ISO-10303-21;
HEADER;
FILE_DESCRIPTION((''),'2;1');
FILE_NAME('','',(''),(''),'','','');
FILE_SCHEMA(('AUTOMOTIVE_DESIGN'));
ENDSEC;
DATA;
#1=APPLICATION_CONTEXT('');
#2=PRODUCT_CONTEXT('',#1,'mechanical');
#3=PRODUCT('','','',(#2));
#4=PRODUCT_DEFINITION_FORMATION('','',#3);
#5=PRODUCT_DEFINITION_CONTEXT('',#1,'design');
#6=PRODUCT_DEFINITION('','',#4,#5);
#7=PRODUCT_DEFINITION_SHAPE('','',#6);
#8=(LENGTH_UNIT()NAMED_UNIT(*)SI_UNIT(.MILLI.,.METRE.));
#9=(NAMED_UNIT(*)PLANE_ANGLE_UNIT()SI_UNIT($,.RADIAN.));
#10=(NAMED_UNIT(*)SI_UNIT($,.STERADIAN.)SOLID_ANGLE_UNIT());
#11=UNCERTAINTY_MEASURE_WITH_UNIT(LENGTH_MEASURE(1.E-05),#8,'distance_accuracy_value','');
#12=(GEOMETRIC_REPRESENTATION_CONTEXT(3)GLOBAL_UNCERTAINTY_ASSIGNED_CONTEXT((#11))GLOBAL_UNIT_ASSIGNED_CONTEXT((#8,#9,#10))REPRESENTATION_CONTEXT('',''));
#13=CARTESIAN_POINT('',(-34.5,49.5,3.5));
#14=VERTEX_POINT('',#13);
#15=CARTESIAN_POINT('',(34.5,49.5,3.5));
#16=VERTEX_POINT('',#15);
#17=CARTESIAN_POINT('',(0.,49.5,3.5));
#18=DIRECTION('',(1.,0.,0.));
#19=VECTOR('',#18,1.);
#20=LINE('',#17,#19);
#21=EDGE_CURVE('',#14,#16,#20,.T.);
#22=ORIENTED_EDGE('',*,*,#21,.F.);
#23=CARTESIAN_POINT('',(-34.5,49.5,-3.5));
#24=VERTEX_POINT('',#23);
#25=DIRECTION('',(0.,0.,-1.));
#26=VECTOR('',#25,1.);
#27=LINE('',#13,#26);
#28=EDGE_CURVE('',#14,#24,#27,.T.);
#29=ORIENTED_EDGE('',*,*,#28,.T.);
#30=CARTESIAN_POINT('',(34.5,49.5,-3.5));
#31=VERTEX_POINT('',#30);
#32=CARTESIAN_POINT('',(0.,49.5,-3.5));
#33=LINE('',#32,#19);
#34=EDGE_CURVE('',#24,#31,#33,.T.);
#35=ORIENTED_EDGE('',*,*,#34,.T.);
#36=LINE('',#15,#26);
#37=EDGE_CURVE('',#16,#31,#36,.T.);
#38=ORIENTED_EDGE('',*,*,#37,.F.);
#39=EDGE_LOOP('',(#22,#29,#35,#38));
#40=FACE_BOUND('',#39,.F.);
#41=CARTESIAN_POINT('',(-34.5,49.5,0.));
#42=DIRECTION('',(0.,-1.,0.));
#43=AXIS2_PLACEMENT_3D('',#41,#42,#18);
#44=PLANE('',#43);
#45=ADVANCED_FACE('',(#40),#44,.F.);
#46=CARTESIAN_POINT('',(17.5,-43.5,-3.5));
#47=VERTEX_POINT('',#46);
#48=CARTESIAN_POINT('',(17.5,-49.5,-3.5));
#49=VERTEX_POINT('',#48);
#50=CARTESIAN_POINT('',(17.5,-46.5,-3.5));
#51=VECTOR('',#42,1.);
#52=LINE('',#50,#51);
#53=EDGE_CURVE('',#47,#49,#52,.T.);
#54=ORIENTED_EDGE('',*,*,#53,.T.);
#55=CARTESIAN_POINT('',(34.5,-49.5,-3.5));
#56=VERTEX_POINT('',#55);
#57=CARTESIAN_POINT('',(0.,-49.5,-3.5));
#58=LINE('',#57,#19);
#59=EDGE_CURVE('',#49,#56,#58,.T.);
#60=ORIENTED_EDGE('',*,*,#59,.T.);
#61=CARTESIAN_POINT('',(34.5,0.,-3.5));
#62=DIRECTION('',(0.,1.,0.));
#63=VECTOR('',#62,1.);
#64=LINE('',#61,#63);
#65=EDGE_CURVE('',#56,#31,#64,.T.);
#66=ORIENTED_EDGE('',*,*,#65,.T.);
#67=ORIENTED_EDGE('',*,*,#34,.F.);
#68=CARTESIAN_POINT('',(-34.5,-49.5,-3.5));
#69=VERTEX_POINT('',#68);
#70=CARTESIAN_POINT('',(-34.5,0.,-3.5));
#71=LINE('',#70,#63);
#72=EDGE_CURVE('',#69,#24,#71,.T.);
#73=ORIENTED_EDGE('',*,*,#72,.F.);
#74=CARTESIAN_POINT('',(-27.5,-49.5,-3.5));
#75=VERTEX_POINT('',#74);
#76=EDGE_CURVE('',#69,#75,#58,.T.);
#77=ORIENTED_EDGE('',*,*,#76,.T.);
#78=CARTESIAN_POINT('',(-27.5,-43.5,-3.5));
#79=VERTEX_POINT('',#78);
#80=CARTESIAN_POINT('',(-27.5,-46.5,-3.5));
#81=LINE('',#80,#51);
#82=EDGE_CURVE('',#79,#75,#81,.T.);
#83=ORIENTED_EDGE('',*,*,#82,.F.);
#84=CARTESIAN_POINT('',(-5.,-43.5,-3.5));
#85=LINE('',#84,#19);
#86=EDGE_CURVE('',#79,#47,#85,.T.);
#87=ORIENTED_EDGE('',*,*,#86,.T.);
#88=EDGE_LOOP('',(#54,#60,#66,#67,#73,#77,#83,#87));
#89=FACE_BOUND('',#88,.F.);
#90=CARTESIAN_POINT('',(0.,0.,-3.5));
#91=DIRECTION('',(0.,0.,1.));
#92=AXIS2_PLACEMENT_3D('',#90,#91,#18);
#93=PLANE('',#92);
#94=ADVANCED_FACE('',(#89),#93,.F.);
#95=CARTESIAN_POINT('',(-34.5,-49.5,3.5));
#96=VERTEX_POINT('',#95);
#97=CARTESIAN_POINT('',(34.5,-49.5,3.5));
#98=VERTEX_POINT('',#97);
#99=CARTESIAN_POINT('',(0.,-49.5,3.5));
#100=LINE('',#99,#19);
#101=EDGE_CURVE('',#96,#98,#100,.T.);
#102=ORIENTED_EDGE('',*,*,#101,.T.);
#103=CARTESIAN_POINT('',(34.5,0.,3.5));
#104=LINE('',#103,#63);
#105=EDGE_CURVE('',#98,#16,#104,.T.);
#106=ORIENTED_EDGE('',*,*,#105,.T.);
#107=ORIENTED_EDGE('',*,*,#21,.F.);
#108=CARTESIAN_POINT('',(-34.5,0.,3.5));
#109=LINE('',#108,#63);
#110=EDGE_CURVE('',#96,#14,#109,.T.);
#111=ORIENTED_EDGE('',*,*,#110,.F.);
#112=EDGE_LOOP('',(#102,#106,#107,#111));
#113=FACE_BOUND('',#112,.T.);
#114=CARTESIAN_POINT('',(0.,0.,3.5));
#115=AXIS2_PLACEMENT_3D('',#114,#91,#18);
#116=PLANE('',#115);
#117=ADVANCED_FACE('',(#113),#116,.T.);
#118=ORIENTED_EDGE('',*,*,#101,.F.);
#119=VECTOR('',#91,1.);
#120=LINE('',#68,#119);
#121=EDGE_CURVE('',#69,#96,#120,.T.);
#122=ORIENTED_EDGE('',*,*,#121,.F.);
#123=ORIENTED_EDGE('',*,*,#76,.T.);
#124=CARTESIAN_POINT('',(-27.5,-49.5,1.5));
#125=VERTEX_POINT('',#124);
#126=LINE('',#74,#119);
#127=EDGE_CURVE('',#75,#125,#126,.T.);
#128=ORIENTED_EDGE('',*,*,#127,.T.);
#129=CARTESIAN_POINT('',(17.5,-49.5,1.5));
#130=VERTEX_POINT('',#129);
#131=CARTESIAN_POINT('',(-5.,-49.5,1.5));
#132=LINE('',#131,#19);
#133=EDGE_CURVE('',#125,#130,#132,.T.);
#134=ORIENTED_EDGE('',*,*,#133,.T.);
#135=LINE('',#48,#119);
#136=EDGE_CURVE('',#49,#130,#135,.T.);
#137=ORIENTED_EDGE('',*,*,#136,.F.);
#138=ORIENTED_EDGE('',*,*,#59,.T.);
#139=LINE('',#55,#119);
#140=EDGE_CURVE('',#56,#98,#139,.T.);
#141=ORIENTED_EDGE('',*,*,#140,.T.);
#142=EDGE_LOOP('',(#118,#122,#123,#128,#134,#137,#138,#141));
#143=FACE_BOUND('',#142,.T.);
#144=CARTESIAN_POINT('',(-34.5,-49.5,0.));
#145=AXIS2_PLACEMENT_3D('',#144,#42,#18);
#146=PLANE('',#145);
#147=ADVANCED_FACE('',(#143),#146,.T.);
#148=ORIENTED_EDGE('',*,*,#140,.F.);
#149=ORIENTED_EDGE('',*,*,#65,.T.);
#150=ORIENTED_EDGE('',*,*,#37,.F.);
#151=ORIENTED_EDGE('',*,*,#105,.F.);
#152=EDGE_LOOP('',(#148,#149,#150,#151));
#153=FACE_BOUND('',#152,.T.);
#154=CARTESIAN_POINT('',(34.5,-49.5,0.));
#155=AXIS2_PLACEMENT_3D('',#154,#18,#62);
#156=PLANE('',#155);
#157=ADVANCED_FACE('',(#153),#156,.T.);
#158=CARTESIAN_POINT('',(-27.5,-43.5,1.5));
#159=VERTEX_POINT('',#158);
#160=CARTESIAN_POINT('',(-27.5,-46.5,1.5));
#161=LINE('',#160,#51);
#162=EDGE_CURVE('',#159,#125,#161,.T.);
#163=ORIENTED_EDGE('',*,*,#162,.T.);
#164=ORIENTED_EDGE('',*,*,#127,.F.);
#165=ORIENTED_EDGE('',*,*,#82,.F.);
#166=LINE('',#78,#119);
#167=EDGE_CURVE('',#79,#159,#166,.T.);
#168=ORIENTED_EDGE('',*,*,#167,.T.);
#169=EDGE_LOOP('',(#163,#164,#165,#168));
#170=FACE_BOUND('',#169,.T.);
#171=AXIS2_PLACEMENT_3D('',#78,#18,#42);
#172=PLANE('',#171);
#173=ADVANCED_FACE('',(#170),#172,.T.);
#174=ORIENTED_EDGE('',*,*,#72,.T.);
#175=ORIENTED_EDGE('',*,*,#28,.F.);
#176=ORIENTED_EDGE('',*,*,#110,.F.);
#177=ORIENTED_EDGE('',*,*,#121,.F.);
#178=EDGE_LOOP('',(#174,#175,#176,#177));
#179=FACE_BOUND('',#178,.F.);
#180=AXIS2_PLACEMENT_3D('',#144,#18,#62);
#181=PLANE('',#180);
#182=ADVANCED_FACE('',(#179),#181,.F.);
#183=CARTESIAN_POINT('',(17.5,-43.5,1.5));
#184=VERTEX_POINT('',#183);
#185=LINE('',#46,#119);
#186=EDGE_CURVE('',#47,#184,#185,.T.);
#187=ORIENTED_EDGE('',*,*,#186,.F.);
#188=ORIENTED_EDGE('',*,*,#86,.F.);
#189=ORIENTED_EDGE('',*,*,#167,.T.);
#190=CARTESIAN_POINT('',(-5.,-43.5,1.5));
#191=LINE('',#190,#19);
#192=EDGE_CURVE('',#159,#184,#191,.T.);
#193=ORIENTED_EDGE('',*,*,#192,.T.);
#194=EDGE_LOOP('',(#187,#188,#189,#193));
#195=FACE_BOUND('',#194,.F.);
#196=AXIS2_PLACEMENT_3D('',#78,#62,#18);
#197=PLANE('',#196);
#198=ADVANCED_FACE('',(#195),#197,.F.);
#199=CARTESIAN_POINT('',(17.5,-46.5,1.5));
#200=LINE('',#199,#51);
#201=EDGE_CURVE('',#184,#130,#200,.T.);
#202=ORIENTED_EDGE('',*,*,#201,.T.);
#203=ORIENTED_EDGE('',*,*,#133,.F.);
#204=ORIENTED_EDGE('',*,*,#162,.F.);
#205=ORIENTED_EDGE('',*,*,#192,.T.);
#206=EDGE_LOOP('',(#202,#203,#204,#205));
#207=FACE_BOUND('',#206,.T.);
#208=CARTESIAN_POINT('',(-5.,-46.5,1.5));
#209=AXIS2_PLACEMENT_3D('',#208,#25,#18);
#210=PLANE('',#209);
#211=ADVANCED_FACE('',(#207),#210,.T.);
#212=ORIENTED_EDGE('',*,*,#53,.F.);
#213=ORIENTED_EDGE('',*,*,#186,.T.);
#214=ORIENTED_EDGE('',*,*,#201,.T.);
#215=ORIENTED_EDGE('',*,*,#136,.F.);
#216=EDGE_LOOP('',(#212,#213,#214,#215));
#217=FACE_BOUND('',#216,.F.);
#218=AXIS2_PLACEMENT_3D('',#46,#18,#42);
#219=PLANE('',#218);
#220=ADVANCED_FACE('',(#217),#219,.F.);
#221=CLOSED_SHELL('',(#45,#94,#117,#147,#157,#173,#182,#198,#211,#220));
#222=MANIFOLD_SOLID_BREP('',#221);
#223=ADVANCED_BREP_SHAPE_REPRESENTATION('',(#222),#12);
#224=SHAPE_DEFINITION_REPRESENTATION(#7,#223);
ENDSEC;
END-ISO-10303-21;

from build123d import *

# Parameters (mm, degrees)
F0_W     = 69
F0_H     = 99
F2_DEPTH = 3.5
F1_W     = 45
F1_H     = 6
F3_DEPTH = 5


with BuildPart() as f2:
    # F0 (on Top) → F2 (new body, symmetric)
    with BuildSketch(Plane.XY):
        Rectangle(F0_W, F0_H)
    extrude(amount=F2_DEPTH, both=True)

    # F1 (on face) → F3 (cut)
    with BuildSketch(Plane(origin=(0, 0, -3.5), x_dir=(1, 0, 0), z_dir=(0, 0, -1))):
        with Locations((-5, 46.5)):
            Rectangle(F1_W, F1_H)
    extrude(amount=-F3_DEPTH, mode=Mode.SUBTRACT)


solid = f2.part
